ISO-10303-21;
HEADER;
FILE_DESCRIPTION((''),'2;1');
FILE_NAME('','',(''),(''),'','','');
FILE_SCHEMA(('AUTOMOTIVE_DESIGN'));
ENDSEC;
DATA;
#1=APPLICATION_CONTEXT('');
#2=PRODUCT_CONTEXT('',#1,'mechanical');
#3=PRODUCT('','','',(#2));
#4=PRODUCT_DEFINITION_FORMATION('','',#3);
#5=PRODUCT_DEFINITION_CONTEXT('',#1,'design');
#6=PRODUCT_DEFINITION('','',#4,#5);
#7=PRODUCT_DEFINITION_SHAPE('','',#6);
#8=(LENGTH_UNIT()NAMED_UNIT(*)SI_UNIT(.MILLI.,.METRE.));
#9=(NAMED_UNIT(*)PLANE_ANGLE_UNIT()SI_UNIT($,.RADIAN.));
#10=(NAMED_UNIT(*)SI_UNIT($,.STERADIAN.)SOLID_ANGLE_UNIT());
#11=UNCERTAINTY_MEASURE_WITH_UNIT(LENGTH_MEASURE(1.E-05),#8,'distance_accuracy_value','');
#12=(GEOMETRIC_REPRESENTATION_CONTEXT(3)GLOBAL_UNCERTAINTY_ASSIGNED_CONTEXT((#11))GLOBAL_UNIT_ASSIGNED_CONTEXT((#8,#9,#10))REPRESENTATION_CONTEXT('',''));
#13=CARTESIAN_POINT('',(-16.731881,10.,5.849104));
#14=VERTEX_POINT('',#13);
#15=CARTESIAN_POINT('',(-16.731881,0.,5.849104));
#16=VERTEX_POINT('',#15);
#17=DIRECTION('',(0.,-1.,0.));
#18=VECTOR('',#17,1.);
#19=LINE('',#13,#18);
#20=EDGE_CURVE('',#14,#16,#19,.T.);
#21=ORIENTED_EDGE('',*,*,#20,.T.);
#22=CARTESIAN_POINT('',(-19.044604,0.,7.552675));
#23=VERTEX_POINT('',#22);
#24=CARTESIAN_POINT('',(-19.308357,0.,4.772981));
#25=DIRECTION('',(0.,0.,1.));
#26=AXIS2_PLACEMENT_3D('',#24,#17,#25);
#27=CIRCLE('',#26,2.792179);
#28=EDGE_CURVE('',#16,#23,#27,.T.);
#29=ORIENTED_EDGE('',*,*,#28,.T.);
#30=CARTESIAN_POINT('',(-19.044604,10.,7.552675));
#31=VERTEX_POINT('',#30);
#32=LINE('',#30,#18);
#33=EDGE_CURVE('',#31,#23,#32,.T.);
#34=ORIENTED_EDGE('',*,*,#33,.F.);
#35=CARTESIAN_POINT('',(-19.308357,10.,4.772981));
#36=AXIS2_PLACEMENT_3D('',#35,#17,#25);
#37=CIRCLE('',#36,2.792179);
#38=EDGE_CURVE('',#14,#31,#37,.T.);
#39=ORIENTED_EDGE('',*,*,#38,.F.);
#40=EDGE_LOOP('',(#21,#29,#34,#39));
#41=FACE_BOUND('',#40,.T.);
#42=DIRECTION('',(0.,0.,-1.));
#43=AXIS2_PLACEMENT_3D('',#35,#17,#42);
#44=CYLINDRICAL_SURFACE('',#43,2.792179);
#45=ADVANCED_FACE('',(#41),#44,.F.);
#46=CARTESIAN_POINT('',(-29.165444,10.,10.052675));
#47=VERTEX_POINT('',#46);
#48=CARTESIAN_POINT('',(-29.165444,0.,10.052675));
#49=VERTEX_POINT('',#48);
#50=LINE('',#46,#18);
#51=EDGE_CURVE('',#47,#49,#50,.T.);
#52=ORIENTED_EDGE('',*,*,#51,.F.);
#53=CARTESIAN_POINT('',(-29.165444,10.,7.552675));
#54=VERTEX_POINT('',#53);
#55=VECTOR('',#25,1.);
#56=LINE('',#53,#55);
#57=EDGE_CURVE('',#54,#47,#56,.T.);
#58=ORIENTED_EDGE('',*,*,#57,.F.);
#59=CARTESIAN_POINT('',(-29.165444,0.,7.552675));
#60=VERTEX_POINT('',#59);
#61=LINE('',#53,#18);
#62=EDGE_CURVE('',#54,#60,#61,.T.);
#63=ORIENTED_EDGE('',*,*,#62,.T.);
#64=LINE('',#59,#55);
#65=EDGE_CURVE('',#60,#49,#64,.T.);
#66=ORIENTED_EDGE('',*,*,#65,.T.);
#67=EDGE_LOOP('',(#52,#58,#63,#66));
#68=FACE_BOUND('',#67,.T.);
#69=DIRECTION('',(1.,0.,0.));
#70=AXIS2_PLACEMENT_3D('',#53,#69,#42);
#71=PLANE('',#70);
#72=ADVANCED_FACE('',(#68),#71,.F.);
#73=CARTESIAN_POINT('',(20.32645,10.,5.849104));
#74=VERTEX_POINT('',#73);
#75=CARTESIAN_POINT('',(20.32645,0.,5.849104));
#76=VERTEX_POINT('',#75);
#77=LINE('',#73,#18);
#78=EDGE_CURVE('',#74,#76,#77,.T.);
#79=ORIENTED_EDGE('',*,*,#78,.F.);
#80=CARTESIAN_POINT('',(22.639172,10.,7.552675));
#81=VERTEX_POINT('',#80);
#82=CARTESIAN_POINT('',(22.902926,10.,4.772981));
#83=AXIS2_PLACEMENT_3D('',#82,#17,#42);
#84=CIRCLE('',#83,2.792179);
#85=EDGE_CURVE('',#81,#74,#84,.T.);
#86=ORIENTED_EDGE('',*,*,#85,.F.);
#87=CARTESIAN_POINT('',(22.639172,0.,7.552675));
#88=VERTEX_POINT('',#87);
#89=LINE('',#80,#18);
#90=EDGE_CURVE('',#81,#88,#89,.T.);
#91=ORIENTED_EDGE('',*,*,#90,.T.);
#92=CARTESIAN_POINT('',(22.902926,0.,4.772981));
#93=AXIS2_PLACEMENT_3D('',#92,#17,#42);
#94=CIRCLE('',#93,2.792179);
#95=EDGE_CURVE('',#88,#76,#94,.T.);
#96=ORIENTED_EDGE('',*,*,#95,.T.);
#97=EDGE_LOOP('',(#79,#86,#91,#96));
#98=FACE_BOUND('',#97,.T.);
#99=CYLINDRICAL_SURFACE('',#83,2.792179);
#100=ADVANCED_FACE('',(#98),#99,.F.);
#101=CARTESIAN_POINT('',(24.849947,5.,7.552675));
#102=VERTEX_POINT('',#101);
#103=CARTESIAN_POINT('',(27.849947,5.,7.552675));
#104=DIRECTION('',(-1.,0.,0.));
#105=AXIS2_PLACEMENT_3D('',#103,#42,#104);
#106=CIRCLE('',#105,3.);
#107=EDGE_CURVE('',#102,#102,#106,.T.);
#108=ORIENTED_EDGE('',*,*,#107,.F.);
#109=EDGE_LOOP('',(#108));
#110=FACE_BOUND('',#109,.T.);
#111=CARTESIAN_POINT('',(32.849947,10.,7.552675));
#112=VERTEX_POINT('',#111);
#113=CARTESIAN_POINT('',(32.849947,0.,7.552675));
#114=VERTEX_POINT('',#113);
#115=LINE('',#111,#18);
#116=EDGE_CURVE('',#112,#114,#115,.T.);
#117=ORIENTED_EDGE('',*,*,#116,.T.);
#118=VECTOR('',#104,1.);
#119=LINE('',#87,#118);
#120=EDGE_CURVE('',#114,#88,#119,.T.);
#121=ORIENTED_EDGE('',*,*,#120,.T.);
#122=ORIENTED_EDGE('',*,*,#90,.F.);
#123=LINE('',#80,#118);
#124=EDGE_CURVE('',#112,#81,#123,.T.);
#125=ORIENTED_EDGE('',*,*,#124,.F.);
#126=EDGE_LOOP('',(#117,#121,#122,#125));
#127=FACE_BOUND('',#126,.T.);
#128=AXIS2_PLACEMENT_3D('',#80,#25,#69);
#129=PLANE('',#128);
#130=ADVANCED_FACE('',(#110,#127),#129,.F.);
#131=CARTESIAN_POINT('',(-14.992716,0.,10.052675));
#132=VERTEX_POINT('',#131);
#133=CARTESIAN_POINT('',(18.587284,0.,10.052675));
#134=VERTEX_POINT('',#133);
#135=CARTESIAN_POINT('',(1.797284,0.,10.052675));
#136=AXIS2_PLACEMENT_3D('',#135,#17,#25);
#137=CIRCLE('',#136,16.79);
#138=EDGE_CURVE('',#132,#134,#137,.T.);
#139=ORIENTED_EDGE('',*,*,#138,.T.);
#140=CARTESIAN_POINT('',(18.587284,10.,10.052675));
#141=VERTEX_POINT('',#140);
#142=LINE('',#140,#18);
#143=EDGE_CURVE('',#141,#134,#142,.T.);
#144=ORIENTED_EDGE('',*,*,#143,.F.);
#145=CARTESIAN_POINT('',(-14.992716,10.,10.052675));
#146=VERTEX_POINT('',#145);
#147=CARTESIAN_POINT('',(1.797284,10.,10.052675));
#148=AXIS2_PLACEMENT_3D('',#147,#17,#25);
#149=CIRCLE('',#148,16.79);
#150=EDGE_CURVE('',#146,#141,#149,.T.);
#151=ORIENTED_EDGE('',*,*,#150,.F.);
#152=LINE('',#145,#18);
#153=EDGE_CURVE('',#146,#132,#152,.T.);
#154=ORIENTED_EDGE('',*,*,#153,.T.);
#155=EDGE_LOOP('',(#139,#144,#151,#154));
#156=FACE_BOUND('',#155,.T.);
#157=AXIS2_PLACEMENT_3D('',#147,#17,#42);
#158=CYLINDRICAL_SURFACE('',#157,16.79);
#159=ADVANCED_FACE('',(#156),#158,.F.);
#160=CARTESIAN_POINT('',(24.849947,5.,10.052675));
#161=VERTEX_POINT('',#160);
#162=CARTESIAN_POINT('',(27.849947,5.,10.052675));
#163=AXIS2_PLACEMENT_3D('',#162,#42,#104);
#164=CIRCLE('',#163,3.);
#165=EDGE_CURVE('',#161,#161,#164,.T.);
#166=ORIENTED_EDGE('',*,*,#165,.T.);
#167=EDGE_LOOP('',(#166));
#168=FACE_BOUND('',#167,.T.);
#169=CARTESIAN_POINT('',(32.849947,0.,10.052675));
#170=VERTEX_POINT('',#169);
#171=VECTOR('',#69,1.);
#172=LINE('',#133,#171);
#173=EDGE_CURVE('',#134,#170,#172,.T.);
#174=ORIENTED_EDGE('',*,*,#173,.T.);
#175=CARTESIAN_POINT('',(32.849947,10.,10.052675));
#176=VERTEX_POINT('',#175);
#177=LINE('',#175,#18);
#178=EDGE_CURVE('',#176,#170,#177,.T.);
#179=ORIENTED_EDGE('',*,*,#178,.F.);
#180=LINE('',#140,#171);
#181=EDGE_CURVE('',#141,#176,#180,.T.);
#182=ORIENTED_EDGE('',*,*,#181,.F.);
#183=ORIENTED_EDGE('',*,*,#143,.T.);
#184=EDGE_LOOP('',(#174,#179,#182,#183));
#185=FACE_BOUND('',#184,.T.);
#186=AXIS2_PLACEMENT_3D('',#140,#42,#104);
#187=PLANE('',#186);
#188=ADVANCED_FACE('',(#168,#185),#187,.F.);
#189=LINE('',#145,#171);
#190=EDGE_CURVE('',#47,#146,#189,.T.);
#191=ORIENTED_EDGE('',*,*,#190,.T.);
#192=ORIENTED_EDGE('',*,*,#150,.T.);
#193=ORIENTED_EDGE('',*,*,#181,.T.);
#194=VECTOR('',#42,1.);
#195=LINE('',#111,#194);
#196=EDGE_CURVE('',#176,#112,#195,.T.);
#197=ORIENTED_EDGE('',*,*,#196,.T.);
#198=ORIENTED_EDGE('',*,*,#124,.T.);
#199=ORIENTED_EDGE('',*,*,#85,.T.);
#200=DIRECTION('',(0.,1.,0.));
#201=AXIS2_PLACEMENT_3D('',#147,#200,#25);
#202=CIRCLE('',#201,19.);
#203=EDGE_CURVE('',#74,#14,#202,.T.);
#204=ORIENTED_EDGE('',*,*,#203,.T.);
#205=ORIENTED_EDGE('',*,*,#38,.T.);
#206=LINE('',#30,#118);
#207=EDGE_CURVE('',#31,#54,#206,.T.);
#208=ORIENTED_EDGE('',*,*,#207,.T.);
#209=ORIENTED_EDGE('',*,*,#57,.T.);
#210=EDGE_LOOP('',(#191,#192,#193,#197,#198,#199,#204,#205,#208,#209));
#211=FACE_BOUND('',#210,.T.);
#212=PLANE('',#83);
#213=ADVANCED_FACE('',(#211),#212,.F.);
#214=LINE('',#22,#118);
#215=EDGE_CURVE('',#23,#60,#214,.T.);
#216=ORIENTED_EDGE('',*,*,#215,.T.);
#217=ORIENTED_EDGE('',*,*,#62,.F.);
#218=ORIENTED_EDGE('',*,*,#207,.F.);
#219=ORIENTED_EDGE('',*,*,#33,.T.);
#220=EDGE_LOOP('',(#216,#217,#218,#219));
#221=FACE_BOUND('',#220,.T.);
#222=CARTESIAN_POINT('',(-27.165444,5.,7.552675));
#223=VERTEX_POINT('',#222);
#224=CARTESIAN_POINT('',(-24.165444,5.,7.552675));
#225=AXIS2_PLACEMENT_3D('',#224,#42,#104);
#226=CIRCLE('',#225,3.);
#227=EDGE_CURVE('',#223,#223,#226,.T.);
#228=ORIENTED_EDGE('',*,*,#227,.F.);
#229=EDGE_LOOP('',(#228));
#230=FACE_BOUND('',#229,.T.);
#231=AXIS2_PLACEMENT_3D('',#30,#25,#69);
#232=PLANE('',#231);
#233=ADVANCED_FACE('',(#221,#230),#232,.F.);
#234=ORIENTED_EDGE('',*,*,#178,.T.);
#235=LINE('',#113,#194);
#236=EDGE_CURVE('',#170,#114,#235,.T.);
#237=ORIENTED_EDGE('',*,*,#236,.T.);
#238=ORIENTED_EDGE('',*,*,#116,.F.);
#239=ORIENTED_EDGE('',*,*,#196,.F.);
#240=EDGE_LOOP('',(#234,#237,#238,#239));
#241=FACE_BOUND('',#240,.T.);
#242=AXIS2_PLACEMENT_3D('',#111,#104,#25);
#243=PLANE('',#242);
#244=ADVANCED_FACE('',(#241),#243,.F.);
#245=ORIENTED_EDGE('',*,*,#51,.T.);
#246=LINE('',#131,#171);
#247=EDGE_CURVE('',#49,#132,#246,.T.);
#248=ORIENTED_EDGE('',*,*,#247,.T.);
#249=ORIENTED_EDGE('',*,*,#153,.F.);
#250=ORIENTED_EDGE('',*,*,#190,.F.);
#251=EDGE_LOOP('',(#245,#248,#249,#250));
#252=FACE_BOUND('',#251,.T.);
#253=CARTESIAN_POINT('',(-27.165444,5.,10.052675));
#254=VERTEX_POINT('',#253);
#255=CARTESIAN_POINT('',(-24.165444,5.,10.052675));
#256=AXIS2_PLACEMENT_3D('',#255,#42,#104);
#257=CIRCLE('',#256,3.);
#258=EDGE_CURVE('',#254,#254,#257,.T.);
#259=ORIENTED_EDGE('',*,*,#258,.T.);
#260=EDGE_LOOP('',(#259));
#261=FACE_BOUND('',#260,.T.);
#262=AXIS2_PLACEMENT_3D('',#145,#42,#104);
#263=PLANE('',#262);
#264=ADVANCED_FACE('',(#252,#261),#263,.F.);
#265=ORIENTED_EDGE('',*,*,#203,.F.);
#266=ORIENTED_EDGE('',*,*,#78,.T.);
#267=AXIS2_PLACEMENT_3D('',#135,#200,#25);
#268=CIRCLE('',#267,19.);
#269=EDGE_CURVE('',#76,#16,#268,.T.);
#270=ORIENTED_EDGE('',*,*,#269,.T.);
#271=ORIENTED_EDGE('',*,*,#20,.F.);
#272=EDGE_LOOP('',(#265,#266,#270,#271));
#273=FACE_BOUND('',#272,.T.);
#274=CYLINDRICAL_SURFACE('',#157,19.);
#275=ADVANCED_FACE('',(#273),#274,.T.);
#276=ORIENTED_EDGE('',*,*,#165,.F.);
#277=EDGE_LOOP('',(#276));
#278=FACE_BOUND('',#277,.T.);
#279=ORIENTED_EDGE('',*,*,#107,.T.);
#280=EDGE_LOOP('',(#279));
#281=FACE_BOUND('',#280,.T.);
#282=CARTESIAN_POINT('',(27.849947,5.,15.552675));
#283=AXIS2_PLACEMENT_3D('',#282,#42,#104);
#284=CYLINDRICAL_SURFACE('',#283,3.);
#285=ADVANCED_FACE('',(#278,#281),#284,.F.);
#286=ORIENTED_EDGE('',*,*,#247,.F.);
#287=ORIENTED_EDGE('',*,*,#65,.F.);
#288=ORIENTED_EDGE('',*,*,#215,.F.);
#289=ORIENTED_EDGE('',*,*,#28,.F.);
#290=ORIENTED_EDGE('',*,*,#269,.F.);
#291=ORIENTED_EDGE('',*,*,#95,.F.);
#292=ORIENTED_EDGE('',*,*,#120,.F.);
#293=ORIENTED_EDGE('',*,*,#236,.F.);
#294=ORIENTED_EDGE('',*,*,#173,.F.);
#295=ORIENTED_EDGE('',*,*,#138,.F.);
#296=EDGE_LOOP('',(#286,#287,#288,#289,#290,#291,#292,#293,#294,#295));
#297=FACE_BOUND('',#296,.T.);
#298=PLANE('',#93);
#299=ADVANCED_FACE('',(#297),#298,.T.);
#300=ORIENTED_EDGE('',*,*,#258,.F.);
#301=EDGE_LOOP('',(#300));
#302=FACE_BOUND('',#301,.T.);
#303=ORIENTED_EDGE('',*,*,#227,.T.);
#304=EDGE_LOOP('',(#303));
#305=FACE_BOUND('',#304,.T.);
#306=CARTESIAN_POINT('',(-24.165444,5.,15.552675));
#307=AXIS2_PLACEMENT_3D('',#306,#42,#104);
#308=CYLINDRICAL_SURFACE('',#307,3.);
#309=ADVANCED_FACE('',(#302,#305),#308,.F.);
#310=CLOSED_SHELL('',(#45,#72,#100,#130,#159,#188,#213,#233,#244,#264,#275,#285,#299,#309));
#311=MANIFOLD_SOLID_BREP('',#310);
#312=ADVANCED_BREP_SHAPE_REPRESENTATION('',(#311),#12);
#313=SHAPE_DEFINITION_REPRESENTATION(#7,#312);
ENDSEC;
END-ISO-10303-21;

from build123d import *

# Parameters (mm, degrees)
BOSS_EXTRUDE1_DEPTH = 10
SKETCH2_R           = 3
CUT_EXTRUDE1_DEPTH  = 8


with BuildPart() as part:
    # Sketch1 → Boss-Extrude1 (new body)
    with BuildSketch(Plane(origin=(0, 0, 0), x_dir=(1, 0, 0), z_dir=(0, 1, 0))):
        with BuildLine():
            Line((-14.99271565, -10.052675371), (-29.165444207, -10.052675371))
            Line((-29.165444207, -10.052675371), (-29.165444207, -7.552675371))
            Line((-29.165444207, -7.552675371), (-19.04460375, -7.552675371))
            ThreePointArc((-19.04460375, -7.552675371), (-17.652378747, -7.021091902), (-16.731881464, -5.849103764))
            ThreePointArc((-16.731881464, -5.849103764), (1.79728435, 8.947324629), (20.326450163, -5.849103764))
            ThreePointArc((20.326450163, -5.849103764), (21.246947447, -7.021091902), (22.63917245, -7.552675371))
            Line((22.63917245, -7.552675371), (32.849946683, -7.552675371))
            Line((32.849946683, -7.552675371), (32.849946683, -10.052675371))
            Line((32.849946683, -10.052675371), (18.58728435, -10.052675371))
            ThreePointArc((18.58728435, -10.052675371), (1.79728435, 6.737324629), (-14.99271565, -10.052675371))
        make_face()
    extrude(amount=BOSS_EXTRUDE1_DEPTH)

    # Sketch2 → Cut-Extrude1 (cut)
    with BuildSketch(Plane(origin=(0, 0, 7.552675371), x_dir=(-1, 0, 0), z_dir=(0, 0, -1))):
        with Locations((24.165444207, 5)):
            Circle(SKETCH2_R)
        with Locations((-27.849946683, 5)):
            Circle(SKETCH2_R)
    extrude(amount=-CUT_EXTRUDE1_DEPTH, mode=Mode.SUBTRACT)


solid = part.part
